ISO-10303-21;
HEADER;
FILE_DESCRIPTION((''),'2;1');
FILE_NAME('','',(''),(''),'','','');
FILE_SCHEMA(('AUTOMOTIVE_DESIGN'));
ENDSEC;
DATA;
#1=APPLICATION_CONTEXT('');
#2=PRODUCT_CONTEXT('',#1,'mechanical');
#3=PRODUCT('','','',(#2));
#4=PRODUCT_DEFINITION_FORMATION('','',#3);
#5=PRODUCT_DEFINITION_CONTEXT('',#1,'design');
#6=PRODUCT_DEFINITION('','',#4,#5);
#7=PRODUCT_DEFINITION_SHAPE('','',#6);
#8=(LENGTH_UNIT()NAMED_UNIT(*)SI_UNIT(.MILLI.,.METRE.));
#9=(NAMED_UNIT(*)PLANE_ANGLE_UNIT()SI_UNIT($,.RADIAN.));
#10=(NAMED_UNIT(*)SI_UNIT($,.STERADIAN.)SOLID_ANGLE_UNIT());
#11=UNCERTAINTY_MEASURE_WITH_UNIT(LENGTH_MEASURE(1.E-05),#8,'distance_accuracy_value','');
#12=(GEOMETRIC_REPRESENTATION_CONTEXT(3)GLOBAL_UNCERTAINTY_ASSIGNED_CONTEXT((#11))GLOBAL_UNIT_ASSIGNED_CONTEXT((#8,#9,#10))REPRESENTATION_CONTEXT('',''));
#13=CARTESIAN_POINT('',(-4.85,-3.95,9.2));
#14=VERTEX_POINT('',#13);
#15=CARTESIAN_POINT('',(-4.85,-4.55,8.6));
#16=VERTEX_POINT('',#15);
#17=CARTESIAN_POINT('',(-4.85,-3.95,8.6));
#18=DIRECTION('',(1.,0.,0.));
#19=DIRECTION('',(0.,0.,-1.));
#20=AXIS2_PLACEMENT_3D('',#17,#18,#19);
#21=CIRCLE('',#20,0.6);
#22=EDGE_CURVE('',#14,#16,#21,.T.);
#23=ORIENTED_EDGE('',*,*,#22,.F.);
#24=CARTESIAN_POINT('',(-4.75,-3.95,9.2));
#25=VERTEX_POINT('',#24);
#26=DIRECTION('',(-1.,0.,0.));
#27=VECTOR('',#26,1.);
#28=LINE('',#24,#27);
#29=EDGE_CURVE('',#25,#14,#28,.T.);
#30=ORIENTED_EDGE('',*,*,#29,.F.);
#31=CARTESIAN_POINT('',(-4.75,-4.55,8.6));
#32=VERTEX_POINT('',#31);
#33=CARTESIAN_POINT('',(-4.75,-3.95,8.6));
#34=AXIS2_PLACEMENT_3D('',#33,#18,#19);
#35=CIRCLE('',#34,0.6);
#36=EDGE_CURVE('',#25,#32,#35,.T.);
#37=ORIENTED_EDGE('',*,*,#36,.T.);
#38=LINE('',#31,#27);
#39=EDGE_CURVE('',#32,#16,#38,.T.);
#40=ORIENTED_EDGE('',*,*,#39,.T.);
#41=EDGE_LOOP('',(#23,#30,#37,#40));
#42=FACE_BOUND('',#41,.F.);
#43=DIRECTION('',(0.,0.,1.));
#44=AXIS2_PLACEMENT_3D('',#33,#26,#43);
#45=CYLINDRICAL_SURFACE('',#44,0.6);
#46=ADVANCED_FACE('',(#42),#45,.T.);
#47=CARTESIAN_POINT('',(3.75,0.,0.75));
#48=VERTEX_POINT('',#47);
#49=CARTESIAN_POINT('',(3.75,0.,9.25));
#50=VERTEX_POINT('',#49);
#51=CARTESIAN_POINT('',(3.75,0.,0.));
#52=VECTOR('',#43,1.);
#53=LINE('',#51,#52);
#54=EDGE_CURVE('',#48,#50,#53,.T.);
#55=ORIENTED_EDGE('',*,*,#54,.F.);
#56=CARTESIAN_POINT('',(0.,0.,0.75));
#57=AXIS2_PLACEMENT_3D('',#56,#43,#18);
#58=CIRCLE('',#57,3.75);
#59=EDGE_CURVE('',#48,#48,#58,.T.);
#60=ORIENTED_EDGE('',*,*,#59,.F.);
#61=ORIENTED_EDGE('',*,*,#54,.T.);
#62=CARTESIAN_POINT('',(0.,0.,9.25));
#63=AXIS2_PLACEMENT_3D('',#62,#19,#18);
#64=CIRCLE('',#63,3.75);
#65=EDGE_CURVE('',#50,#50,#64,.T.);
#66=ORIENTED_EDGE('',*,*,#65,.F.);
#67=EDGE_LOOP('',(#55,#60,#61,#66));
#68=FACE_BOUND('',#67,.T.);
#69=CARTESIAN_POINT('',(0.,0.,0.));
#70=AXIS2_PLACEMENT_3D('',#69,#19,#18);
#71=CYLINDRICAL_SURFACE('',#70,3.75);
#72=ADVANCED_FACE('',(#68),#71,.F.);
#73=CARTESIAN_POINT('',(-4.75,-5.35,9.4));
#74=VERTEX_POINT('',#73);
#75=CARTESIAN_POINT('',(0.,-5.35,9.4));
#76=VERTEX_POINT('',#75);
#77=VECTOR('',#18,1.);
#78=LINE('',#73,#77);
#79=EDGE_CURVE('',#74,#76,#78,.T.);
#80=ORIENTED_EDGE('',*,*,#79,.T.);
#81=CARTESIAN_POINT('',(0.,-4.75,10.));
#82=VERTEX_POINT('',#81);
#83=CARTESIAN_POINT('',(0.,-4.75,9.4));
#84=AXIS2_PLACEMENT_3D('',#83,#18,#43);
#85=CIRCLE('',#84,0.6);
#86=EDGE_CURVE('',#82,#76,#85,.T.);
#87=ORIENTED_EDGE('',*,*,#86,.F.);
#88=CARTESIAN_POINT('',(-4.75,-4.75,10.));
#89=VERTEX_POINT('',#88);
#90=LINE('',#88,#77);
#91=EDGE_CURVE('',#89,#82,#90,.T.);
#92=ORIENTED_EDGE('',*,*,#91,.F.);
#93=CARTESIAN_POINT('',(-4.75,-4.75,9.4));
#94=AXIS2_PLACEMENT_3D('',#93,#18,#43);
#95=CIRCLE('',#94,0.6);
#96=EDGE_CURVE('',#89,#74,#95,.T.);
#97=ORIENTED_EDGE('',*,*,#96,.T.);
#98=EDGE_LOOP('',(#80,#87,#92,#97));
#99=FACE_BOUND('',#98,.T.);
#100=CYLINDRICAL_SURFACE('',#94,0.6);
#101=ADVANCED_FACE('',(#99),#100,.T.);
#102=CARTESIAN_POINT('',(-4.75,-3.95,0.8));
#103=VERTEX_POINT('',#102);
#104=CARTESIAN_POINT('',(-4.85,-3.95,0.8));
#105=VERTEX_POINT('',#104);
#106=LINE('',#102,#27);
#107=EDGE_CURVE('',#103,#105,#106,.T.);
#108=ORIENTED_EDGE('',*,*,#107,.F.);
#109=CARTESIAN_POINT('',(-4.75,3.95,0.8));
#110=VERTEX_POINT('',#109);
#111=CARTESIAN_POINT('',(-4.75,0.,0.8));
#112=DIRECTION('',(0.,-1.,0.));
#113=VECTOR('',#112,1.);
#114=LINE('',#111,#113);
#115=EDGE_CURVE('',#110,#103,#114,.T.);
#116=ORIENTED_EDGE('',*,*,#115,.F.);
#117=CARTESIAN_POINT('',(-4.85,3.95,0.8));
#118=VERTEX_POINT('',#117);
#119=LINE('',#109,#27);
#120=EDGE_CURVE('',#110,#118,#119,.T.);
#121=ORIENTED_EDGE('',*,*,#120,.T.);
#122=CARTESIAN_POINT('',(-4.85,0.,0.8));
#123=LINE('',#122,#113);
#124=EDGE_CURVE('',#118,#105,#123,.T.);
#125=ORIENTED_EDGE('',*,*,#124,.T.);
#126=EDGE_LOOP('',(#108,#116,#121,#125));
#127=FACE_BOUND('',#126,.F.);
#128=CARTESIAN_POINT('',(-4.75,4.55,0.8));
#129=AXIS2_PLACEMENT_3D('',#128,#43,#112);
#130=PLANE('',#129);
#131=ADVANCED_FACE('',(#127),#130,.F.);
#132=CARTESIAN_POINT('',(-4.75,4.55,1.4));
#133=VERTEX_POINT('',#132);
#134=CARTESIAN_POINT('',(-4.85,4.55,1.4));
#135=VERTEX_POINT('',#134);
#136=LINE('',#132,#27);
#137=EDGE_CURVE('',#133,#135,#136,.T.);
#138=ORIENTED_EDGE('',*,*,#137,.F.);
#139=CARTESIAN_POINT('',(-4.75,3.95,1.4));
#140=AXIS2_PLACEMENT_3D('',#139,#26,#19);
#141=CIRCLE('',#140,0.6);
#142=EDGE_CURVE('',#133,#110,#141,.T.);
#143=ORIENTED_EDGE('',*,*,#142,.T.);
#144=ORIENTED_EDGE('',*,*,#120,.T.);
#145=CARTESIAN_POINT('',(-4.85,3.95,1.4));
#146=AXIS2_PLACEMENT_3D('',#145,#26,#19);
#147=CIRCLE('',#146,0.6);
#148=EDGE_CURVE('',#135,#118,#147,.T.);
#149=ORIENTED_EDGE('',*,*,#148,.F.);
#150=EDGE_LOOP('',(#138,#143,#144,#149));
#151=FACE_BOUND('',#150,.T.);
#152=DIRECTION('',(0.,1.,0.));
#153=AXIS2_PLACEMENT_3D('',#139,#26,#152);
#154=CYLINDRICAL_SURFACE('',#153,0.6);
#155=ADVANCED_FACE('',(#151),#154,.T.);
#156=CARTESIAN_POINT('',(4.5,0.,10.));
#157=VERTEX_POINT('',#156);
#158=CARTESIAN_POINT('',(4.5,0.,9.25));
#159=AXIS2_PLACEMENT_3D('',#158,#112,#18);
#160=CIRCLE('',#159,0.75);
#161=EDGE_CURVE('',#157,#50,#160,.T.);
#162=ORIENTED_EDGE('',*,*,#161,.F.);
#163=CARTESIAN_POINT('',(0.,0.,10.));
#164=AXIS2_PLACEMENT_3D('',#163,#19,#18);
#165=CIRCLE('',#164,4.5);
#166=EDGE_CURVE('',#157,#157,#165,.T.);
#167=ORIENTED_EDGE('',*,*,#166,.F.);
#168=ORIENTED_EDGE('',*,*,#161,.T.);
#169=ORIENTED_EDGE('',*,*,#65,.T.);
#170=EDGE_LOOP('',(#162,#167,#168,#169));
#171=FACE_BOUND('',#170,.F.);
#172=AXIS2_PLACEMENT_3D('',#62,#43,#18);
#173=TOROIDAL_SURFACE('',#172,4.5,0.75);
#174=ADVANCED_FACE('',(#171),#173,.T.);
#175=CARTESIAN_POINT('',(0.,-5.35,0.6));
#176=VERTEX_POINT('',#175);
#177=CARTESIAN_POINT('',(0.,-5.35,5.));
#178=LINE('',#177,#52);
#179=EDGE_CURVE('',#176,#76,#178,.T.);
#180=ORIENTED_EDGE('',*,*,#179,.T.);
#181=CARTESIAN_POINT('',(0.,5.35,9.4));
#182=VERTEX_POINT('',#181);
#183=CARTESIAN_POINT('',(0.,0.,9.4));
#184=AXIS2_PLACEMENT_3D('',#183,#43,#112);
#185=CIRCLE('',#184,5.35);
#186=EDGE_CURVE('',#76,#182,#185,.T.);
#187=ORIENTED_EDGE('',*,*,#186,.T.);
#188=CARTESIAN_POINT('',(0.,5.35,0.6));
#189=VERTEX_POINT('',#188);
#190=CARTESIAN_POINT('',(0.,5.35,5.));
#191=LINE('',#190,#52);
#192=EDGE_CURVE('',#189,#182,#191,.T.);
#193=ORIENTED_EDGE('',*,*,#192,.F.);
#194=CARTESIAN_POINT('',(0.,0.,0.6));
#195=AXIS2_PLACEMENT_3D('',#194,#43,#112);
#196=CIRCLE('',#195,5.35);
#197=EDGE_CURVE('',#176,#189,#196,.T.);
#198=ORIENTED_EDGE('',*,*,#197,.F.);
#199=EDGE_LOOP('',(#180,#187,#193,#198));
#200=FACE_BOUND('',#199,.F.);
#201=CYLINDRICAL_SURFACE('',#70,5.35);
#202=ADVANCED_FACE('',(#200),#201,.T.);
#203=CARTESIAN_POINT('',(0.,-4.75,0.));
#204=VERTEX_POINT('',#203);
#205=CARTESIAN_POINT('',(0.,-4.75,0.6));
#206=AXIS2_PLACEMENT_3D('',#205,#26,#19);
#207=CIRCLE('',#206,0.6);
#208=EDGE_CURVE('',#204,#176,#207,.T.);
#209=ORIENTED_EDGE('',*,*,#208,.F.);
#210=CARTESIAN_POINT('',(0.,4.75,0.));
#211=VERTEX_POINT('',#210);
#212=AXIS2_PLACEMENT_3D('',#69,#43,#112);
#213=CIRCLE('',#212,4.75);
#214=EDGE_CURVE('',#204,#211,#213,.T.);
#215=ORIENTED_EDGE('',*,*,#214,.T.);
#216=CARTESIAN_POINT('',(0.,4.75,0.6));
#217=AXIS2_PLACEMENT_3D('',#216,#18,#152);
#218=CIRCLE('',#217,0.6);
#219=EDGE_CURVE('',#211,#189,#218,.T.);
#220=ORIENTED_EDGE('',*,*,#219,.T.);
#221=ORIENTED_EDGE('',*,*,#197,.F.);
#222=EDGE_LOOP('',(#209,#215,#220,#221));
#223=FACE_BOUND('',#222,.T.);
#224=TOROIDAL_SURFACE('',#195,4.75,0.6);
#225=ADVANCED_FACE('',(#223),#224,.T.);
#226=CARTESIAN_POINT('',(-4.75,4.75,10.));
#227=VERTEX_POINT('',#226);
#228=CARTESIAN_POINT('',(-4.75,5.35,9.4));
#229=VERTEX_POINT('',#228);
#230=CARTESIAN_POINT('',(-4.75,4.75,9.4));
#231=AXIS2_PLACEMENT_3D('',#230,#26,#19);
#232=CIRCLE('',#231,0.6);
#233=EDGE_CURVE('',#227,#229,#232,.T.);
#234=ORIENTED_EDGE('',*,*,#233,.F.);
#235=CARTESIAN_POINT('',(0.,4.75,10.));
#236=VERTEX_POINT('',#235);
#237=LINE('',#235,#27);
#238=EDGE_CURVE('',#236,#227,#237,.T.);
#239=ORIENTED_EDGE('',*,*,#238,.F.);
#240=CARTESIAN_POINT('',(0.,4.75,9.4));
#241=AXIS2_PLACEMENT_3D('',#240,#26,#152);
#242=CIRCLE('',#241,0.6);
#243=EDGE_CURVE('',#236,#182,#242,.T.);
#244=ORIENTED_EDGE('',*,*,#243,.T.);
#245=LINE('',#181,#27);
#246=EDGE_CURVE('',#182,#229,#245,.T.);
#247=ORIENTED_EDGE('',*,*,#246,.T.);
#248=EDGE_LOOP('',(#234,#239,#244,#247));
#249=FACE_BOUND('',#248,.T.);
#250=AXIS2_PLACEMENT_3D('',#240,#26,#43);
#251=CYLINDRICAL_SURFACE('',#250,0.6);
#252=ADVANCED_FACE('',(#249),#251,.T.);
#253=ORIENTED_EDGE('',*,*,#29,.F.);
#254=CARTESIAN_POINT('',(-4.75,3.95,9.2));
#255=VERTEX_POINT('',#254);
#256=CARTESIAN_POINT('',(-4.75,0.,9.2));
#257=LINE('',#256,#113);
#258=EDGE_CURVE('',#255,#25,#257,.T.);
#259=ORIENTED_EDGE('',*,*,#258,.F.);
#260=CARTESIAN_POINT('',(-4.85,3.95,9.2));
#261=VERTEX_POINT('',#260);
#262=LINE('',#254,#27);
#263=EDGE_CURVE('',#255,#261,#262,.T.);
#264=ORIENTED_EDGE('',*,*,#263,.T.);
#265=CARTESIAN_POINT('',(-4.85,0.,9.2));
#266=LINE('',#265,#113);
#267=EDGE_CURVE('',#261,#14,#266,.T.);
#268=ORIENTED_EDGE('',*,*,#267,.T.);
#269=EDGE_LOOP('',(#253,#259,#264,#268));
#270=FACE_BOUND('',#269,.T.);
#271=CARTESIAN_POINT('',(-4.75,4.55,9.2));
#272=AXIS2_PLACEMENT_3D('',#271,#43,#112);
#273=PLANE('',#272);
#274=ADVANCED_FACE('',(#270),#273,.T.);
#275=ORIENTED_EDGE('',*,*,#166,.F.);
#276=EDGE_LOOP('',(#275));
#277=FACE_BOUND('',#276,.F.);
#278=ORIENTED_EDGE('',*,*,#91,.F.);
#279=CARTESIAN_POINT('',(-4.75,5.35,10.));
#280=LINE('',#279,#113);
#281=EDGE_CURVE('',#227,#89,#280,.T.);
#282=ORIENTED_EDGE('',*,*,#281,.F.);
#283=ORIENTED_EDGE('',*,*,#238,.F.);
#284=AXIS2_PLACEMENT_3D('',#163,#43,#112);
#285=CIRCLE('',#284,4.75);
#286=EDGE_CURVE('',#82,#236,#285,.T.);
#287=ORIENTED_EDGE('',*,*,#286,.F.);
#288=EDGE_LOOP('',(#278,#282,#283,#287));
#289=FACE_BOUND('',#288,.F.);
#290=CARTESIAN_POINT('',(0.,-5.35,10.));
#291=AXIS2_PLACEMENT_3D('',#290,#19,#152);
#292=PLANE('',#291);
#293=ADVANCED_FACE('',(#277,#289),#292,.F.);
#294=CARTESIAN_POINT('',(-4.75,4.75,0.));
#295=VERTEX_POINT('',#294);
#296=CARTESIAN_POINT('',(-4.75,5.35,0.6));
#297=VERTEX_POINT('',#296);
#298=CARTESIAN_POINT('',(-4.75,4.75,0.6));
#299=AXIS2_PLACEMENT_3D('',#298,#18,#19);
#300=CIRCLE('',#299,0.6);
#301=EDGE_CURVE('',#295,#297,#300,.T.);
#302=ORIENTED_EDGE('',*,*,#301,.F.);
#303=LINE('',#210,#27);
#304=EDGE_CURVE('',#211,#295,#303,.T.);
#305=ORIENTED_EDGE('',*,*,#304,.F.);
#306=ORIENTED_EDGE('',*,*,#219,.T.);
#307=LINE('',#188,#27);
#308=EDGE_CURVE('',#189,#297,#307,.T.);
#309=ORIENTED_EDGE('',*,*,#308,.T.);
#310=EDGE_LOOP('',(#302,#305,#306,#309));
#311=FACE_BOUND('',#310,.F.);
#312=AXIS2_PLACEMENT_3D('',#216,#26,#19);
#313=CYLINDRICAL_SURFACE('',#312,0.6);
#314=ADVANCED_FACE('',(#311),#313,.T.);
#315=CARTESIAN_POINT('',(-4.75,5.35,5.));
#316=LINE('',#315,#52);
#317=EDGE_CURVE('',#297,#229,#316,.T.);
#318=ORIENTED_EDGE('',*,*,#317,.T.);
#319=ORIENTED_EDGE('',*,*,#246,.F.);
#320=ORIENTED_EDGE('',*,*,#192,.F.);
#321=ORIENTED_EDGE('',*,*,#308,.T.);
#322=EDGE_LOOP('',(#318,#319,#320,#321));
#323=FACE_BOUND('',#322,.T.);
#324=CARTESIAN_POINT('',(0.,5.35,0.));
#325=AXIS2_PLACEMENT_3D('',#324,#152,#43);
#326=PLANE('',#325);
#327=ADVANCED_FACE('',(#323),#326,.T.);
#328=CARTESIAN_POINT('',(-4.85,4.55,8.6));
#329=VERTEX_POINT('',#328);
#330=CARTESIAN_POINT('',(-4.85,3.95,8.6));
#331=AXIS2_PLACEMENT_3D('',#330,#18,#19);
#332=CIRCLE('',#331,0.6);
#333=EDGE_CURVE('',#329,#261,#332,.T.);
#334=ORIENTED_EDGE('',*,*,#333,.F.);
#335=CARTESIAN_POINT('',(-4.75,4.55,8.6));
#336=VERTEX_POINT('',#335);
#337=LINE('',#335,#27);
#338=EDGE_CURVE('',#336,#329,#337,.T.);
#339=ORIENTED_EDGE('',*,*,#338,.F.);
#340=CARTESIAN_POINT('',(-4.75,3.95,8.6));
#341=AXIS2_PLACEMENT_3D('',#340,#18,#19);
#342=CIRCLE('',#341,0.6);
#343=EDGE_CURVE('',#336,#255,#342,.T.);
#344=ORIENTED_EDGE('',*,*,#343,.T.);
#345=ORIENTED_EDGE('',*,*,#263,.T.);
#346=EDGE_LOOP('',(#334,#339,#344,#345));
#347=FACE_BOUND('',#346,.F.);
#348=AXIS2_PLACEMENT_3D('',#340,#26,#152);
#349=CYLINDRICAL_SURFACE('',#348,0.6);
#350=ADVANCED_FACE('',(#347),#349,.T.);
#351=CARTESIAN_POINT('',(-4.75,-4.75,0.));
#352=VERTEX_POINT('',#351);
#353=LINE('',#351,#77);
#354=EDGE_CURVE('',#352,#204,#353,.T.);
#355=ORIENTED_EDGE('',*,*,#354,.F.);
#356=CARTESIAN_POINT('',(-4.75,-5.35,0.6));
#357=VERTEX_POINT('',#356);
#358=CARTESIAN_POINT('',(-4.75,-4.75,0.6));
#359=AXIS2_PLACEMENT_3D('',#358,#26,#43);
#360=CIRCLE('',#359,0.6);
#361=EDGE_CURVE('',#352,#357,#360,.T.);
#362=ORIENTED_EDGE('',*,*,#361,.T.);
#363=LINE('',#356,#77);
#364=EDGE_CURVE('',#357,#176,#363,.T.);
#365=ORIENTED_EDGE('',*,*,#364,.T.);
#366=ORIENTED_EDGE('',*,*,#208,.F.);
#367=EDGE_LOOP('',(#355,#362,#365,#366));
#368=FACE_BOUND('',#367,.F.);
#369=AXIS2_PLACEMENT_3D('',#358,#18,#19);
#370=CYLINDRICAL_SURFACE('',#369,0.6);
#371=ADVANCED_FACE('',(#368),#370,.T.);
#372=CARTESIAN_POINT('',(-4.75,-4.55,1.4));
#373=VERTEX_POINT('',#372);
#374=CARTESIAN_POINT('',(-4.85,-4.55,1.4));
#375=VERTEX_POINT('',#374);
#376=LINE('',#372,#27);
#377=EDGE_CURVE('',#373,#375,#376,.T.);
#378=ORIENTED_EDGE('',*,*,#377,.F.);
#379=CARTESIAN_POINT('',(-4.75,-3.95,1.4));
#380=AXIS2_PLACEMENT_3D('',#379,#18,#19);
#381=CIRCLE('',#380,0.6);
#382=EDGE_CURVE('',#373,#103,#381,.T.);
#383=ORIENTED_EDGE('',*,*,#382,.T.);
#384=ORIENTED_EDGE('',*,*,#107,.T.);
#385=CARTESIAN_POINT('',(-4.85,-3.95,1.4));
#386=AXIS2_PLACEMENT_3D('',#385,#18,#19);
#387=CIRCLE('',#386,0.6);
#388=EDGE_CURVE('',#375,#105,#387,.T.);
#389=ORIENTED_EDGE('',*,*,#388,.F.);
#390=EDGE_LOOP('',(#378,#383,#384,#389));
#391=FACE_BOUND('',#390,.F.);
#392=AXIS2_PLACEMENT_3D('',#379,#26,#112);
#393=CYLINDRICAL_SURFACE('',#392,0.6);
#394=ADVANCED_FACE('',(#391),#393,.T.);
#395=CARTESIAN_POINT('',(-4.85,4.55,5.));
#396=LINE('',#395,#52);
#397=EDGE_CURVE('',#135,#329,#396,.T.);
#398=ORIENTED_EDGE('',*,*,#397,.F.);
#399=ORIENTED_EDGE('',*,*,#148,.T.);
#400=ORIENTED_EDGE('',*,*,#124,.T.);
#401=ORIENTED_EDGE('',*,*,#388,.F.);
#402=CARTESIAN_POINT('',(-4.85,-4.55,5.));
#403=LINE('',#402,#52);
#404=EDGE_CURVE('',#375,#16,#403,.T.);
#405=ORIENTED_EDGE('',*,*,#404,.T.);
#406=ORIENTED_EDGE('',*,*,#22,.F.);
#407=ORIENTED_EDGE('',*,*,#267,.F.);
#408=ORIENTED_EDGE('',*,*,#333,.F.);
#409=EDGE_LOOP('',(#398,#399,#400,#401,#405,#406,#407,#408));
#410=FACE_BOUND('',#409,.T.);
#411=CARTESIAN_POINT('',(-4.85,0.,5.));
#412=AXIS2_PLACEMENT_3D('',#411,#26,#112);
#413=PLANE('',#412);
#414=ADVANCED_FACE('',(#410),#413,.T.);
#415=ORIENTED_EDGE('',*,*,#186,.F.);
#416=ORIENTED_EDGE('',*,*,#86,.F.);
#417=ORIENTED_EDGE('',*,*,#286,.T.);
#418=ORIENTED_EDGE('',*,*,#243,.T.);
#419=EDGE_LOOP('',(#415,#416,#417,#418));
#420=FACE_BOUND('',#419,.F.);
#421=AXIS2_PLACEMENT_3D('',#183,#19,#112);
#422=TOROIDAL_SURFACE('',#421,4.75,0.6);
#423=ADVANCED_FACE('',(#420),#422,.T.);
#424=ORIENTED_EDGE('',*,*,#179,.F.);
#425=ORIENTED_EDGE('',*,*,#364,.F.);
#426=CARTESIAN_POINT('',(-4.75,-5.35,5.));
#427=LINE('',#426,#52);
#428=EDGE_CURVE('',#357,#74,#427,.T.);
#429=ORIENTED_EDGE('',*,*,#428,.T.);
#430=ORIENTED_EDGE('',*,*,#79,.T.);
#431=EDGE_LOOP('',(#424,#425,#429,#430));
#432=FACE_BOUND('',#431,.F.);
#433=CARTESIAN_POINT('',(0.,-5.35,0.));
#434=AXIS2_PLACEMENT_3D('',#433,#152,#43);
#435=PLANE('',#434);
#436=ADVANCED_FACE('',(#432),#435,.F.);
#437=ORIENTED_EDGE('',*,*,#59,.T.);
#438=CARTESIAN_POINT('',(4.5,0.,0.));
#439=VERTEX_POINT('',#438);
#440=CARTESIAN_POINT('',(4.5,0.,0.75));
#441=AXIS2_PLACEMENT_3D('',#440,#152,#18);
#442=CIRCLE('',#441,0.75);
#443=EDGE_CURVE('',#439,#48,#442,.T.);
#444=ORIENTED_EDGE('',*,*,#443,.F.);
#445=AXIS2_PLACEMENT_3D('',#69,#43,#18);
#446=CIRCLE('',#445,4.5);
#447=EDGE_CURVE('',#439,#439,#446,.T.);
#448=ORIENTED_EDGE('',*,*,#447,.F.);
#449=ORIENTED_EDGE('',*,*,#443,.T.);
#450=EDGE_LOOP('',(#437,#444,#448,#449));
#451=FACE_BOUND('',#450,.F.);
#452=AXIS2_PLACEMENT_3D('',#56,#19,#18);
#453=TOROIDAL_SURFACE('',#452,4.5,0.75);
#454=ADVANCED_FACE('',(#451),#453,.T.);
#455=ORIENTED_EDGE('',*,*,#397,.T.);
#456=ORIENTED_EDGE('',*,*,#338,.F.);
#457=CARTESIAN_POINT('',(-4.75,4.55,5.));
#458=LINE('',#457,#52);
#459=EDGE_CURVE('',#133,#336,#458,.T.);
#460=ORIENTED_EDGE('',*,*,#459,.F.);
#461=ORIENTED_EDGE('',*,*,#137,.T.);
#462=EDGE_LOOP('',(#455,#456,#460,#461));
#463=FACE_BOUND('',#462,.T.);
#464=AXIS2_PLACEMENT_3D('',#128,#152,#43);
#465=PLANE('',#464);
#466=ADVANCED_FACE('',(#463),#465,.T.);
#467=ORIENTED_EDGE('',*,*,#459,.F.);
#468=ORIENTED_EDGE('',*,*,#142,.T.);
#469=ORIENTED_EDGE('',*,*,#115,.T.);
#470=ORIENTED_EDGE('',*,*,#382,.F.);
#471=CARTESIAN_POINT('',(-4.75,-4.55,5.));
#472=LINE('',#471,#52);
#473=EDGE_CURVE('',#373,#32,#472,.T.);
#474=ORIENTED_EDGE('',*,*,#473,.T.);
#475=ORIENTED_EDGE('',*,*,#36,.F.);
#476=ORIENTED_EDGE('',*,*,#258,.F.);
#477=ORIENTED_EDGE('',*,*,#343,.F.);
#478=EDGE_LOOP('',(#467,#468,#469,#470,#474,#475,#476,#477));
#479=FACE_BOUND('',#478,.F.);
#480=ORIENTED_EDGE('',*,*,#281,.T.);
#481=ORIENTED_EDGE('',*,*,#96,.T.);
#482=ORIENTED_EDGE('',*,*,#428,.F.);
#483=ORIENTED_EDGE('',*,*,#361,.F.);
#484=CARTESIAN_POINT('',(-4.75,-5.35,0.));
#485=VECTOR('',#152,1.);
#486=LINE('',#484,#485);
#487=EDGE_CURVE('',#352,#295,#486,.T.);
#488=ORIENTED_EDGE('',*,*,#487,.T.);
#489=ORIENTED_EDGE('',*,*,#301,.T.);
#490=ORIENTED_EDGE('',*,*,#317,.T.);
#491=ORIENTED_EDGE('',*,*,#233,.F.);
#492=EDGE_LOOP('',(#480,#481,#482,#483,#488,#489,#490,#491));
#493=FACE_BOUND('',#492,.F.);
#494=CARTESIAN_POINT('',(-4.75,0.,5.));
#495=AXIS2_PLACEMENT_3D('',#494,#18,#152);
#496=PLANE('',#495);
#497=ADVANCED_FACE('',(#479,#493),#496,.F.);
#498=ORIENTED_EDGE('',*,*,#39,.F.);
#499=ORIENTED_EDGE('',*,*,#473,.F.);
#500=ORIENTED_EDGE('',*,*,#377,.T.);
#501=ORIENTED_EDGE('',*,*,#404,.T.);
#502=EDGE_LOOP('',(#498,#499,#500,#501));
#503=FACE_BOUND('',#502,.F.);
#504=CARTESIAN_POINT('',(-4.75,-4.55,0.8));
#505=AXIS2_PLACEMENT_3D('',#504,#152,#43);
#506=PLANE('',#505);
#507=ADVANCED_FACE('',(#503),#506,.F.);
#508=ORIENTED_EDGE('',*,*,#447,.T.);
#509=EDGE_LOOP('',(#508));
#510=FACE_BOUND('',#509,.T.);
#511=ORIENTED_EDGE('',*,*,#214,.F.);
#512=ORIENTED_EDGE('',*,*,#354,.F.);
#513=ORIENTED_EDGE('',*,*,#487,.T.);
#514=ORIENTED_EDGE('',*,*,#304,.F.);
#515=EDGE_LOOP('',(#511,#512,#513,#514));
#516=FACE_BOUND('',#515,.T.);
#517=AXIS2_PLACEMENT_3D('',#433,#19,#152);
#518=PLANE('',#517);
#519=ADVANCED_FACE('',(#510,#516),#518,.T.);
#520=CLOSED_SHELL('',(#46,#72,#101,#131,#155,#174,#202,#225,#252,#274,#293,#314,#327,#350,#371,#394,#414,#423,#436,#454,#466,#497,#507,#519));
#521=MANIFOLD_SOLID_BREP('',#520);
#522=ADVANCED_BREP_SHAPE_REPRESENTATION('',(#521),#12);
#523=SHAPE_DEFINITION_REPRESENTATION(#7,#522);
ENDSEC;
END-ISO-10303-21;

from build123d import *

# Parameters (mm, degrees)
F0_R     = 5.35
F0_R_2   = 3.75
F1_DEPTH = 10
F2_W     = 10.7
F2_H     = 10
F3_DEPTH = 4.75
F4_W     = 7.811706725
F4_H     = 10
F5_DEPTH = 25
F6_DEPTH = 25
F7_W     = 9.1
F7_H     = 8.4
F8_DEPTH = 0.1
F9_R     = 0.6
F10_R    = 0.75


with BuildPart() as f1:
    # F0 (on Top) → F1 (new body)
    with BuildSketch(Plane.XY):
        Circle(F0_R)
        Circle(F0_R_2, mode=Mode.SUBTRACT)
        Circle(F0_R_2)
    extrude(amount=F1_DEPTH)

    # F2 (on Right) → F3 (join)
    with BuildSketch(Plane.YZ):
        with Locations((0, 5)):
            Rectangle(F2_W, F2_H)
    extrude(amount=-F3_DEPTH)

    # F4 (on face) → F5 (cut)
    with BuildSketch(Plane(origin=(-4.75, 0, 0), x_dir=(0, -1, 0), z_dir=(-1, 0, 0))):
        with Locations((1.4441466375, 5)):
            Rectangle(F4_W, F4_H)
    extrude(amount=F5_DEPTH, mode=Mode.SUBTRACT)

    # F0 (on Top) → F6 (cut)
    with BuildSketch(Plane.XY):
        Circle(F0_R_2)
    extrude(amount=F6_DEPTH, mode=Mode.SUBTRACT)

    # F7 (on face) → F8 (join)
    with BuildSketch(Plane(origin=(-4.75, 0, 0), x_dir=(0, -1, 0), z_dir=(-1, 0, 0))):
        with Locations((0, 5)):
            Rectangle(F7_W, F7_H)
    extrude(amount=F8_DEPTH)

    # F9
    f9_edges = [f1.edges().sort_by_distance(p)[0] for p in [
        (-2.375, 5.35, 10),
        (-2.375, 5.35, 0),
        (-2.375, -5.35, 0),
        (-2.375, -5.35, 10),
        (-4.8, 4.55, 9.2),
        (-4.8, -4.55, 9.2),
        (-4.8, -4.55, 0.8),
        (-4.8, 4.55, 0.8),
    ]]
    fillet(f9_edges, radius=F9_R)

    # F10
    f10_edges = [f1.edges().sort_by_distance(p)[0] for p in [
        (-3.75, 0, 0),
        (-3.75, 0, 10),
    ]]
    fillet(f10_edges, radius=F10_R)


solid = f1.part
